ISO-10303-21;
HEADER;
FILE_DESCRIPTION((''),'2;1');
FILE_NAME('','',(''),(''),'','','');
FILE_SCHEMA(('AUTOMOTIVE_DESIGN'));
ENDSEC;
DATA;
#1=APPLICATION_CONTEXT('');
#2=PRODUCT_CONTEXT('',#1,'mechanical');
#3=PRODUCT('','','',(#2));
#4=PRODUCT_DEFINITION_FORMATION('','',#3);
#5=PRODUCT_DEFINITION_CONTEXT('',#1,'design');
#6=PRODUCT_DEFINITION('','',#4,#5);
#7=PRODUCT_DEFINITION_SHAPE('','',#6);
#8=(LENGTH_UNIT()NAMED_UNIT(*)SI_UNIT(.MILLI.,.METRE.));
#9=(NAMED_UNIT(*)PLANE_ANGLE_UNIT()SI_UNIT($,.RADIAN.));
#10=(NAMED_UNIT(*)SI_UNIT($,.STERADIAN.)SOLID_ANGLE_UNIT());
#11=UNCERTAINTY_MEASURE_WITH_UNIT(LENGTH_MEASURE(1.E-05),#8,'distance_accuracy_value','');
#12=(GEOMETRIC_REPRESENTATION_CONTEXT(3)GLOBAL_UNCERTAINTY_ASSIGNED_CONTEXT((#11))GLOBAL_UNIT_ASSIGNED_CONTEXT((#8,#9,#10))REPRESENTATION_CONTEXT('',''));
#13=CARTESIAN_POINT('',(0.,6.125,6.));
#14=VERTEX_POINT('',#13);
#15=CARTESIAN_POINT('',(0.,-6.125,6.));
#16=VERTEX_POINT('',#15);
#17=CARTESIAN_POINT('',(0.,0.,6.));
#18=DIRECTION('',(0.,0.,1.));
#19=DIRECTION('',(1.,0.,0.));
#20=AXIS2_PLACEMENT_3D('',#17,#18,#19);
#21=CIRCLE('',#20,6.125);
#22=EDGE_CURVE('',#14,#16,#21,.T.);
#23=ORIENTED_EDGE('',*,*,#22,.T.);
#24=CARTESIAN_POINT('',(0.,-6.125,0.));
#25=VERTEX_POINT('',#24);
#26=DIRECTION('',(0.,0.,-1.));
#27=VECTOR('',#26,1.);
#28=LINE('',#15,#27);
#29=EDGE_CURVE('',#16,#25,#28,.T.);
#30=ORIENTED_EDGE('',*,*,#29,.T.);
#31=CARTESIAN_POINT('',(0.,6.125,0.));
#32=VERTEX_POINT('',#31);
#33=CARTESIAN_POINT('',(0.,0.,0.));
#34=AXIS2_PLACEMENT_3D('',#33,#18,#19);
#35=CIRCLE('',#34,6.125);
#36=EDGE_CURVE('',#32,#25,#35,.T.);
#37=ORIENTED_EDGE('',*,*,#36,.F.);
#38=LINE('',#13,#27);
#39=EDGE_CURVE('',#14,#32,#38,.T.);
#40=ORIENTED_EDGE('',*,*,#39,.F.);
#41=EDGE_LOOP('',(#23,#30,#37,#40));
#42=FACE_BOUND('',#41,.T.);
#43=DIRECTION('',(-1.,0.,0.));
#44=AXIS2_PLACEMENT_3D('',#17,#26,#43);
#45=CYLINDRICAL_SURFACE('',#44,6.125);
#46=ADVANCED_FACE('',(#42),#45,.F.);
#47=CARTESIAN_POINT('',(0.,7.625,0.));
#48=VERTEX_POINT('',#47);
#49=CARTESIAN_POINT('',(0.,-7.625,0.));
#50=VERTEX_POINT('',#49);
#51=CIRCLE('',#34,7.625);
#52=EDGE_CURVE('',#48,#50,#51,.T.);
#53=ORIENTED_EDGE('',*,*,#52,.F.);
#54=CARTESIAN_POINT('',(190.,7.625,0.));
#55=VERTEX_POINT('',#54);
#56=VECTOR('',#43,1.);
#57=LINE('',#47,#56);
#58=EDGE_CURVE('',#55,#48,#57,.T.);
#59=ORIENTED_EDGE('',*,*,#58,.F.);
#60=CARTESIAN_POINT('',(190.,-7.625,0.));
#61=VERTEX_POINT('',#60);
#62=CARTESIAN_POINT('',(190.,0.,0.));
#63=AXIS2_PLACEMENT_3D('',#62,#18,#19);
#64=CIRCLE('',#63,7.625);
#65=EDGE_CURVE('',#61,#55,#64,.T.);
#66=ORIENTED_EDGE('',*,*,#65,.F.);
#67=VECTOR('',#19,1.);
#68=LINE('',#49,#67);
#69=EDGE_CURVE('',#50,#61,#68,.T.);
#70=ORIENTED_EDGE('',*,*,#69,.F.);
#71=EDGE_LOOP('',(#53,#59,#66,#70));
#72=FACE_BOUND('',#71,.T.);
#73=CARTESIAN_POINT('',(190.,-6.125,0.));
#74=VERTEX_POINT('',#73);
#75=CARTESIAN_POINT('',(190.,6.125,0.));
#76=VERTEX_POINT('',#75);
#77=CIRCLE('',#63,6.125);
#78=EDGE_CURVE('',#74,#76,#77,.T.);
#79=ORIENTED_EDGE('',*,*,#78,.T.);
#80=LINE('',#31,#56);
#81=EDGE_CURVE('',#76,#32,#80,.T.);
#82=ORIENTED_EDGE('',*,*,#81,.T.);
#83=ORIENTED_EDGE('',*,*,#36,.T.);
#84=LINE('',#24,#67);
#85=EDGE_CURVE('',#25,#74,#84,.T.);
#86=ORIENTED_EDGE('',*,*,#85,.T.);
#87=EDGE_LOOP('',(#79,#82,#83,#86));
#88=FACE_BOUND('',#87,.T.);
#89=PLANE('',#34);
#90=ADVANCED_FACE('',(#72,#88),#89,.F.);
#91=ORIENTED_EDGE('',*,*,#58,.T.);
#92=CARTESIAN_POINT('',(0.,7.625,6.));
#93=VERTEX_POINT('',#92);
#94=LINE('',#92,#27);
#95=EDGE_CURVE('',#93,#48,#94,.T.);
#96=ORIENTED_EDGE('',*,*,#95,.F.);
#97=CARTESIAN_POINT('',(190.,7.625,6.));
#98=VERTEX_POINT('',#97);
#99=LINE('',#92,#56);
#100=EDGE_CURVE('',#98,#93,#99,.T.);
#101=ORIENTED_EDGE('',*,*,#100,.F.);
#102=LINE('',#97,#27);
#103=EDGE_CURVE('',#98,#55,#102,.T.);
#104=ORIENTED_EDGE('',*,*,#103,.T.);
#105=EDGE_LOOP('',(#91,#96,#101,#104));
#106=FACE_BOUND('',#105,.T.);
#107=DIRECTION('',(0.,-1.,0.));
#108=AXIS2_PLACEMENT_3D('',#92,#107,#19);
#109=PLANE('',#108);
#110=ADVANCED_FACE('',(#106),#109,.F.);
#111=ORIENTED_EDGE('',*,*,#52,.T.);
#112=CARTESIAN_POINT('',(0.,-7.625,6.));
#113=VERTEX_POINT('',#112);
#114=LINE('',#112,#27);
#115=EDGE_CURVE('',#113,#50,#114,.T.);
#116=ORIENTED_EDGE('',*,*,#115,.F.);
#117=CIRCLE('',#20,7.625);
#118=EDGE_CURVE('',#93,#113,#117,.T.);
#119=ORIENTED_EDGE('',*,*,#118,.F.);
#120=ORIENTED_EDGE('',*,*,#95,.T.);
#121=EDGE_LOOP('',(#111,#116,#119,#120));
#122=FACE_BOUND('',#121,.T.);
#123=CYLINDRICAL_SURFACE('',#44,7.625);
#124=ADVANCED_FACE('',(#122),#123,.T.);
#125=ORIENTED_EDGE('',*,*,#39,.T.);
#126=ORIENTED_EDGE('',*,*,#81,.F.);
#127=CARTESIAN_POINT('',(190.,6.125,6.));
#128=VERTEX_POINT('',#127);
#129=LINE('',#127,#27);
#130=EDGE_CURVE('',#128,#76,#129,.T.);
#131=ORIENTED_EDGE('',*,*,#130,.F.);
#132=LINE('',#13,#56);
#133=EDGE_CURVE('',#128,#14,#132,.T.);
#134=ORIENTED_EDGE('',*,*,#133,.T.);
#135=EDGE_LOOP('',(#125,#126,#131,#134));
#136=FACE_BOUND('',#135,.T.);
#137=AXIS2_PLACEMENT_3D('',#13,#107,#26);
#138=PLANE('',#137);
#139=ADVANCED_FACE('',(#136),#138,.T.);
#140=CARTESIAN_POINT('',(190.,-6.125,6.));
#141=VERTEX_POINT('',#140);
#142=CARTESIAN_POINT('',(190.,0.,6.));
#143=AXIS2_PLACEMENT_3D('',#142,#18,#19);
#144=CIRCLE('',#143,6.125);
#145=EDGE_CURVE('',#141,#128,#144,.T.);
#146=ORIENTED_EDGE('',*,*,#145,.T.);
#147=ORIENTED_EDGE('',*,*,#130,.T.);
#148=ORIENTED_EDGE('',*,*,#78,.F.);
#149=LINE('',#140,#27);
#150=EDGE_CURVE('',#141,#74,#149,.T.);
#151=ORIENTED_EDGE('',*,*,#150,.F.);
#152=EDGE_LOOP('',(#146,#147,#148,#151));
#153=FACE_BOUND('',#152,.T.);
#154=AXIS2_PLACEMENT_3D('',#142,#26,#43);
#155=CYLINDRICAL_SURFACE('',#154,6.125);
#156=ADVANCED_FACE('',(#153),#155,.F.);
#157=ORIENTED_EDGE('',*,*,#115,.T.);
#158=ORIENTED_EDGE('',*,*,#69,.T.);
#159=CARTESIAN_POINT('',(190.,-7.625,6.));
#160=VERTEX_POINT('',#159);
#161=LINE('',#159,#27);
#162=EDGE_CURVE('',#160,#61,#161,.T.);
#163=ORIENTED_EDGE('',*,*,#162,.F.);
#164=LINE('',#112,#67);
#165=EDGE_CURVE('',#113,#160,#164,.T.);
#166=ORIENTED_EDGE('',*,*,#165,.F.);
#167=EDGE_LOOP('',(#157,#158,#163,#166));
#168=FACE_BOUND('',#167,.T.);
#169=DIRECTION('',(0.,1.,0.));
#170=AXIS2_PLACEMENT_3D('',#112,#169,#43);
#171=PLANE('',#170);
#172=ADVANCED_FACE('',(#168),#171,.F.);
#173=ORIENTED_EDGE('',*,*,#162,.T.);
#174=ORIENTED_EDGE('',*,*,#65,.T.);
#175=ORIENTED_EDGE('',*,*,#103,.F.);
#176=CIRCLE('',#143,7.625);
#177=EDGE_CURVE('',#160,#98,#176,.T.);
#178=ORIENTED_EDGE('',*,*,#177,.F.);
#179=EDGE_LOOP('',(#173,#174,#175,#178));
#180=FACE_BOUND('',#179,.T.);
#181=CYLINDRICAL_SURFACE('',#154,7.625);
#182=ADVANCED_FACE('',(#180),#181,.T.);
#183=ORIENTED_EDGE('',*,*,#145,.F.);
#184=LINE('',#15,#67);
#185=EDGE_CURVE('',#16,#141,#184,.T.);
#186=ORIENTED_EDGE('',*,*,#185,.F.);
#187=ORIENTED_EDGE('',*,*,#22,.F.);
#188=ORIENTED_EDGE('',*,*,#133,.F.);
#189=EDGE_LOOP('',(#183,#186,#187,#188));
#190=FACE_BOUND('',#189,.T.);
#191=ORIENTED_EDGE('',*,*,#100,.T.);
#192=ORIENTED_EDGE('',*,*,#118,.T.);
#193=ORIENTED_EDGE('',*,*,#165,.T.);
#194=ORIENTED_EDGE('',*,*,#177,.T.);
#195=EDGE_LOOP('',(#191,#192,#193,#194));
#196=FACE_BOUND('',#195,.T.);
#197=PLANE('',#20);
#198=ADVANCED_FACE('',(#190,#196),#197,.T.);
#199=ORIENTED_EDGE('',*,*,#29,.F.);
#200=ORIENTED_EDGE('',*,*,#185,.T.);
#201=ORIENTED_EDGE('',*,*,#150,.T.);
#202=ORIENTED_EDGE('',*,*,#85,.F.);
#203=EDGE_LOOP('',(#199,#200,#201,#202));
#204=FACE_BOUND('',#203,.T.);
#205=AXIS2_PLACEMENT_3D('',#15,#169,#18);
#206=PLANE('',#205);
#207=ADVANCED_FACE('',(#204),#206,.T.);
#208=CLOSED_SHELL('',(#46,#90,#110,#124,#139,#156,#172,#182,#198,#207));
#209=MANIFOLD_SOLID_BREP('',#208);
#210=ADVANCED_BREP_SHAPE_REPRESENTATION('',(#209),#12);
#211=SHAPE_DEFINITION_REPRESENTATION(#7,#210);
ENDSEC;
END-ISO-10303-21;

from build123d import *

# Parameters (mm, degrees)
BOSS_EXTRUDE1_DEPTH = 6


with BuildPart() as part:
    # Sketch4 → Boss-Extrude1 (new body)
    with BuildSketch(Plane.XY):
        with BuildLine():
            Line((0, 7.625), (190, 7.625))
            ThreePointArc((190, 7.625), (197.625, 0), (190, -7.625))
            Line((190, -7.625), (0, -7.625))
            ThreePointArc((0, -7.625), (-7.625, 0), (0, 7.625))
        make_face()
        with BuildLine():
            Line((0, 6.125), (190, 6.125))
            ThreePointArc((190, 6.125), (196.125, 0), (190, -6.125))
            Line((190, -6.125), (0, -6.125))
            ThreePointArc((0, -6.125), (-6.125, 0), (0, 6.125))
        make_face(mode=Mode.SUBTRACT)
    extrude(amount=BOSS_EXTRUDE1_DEPTH)


solid = part.part
